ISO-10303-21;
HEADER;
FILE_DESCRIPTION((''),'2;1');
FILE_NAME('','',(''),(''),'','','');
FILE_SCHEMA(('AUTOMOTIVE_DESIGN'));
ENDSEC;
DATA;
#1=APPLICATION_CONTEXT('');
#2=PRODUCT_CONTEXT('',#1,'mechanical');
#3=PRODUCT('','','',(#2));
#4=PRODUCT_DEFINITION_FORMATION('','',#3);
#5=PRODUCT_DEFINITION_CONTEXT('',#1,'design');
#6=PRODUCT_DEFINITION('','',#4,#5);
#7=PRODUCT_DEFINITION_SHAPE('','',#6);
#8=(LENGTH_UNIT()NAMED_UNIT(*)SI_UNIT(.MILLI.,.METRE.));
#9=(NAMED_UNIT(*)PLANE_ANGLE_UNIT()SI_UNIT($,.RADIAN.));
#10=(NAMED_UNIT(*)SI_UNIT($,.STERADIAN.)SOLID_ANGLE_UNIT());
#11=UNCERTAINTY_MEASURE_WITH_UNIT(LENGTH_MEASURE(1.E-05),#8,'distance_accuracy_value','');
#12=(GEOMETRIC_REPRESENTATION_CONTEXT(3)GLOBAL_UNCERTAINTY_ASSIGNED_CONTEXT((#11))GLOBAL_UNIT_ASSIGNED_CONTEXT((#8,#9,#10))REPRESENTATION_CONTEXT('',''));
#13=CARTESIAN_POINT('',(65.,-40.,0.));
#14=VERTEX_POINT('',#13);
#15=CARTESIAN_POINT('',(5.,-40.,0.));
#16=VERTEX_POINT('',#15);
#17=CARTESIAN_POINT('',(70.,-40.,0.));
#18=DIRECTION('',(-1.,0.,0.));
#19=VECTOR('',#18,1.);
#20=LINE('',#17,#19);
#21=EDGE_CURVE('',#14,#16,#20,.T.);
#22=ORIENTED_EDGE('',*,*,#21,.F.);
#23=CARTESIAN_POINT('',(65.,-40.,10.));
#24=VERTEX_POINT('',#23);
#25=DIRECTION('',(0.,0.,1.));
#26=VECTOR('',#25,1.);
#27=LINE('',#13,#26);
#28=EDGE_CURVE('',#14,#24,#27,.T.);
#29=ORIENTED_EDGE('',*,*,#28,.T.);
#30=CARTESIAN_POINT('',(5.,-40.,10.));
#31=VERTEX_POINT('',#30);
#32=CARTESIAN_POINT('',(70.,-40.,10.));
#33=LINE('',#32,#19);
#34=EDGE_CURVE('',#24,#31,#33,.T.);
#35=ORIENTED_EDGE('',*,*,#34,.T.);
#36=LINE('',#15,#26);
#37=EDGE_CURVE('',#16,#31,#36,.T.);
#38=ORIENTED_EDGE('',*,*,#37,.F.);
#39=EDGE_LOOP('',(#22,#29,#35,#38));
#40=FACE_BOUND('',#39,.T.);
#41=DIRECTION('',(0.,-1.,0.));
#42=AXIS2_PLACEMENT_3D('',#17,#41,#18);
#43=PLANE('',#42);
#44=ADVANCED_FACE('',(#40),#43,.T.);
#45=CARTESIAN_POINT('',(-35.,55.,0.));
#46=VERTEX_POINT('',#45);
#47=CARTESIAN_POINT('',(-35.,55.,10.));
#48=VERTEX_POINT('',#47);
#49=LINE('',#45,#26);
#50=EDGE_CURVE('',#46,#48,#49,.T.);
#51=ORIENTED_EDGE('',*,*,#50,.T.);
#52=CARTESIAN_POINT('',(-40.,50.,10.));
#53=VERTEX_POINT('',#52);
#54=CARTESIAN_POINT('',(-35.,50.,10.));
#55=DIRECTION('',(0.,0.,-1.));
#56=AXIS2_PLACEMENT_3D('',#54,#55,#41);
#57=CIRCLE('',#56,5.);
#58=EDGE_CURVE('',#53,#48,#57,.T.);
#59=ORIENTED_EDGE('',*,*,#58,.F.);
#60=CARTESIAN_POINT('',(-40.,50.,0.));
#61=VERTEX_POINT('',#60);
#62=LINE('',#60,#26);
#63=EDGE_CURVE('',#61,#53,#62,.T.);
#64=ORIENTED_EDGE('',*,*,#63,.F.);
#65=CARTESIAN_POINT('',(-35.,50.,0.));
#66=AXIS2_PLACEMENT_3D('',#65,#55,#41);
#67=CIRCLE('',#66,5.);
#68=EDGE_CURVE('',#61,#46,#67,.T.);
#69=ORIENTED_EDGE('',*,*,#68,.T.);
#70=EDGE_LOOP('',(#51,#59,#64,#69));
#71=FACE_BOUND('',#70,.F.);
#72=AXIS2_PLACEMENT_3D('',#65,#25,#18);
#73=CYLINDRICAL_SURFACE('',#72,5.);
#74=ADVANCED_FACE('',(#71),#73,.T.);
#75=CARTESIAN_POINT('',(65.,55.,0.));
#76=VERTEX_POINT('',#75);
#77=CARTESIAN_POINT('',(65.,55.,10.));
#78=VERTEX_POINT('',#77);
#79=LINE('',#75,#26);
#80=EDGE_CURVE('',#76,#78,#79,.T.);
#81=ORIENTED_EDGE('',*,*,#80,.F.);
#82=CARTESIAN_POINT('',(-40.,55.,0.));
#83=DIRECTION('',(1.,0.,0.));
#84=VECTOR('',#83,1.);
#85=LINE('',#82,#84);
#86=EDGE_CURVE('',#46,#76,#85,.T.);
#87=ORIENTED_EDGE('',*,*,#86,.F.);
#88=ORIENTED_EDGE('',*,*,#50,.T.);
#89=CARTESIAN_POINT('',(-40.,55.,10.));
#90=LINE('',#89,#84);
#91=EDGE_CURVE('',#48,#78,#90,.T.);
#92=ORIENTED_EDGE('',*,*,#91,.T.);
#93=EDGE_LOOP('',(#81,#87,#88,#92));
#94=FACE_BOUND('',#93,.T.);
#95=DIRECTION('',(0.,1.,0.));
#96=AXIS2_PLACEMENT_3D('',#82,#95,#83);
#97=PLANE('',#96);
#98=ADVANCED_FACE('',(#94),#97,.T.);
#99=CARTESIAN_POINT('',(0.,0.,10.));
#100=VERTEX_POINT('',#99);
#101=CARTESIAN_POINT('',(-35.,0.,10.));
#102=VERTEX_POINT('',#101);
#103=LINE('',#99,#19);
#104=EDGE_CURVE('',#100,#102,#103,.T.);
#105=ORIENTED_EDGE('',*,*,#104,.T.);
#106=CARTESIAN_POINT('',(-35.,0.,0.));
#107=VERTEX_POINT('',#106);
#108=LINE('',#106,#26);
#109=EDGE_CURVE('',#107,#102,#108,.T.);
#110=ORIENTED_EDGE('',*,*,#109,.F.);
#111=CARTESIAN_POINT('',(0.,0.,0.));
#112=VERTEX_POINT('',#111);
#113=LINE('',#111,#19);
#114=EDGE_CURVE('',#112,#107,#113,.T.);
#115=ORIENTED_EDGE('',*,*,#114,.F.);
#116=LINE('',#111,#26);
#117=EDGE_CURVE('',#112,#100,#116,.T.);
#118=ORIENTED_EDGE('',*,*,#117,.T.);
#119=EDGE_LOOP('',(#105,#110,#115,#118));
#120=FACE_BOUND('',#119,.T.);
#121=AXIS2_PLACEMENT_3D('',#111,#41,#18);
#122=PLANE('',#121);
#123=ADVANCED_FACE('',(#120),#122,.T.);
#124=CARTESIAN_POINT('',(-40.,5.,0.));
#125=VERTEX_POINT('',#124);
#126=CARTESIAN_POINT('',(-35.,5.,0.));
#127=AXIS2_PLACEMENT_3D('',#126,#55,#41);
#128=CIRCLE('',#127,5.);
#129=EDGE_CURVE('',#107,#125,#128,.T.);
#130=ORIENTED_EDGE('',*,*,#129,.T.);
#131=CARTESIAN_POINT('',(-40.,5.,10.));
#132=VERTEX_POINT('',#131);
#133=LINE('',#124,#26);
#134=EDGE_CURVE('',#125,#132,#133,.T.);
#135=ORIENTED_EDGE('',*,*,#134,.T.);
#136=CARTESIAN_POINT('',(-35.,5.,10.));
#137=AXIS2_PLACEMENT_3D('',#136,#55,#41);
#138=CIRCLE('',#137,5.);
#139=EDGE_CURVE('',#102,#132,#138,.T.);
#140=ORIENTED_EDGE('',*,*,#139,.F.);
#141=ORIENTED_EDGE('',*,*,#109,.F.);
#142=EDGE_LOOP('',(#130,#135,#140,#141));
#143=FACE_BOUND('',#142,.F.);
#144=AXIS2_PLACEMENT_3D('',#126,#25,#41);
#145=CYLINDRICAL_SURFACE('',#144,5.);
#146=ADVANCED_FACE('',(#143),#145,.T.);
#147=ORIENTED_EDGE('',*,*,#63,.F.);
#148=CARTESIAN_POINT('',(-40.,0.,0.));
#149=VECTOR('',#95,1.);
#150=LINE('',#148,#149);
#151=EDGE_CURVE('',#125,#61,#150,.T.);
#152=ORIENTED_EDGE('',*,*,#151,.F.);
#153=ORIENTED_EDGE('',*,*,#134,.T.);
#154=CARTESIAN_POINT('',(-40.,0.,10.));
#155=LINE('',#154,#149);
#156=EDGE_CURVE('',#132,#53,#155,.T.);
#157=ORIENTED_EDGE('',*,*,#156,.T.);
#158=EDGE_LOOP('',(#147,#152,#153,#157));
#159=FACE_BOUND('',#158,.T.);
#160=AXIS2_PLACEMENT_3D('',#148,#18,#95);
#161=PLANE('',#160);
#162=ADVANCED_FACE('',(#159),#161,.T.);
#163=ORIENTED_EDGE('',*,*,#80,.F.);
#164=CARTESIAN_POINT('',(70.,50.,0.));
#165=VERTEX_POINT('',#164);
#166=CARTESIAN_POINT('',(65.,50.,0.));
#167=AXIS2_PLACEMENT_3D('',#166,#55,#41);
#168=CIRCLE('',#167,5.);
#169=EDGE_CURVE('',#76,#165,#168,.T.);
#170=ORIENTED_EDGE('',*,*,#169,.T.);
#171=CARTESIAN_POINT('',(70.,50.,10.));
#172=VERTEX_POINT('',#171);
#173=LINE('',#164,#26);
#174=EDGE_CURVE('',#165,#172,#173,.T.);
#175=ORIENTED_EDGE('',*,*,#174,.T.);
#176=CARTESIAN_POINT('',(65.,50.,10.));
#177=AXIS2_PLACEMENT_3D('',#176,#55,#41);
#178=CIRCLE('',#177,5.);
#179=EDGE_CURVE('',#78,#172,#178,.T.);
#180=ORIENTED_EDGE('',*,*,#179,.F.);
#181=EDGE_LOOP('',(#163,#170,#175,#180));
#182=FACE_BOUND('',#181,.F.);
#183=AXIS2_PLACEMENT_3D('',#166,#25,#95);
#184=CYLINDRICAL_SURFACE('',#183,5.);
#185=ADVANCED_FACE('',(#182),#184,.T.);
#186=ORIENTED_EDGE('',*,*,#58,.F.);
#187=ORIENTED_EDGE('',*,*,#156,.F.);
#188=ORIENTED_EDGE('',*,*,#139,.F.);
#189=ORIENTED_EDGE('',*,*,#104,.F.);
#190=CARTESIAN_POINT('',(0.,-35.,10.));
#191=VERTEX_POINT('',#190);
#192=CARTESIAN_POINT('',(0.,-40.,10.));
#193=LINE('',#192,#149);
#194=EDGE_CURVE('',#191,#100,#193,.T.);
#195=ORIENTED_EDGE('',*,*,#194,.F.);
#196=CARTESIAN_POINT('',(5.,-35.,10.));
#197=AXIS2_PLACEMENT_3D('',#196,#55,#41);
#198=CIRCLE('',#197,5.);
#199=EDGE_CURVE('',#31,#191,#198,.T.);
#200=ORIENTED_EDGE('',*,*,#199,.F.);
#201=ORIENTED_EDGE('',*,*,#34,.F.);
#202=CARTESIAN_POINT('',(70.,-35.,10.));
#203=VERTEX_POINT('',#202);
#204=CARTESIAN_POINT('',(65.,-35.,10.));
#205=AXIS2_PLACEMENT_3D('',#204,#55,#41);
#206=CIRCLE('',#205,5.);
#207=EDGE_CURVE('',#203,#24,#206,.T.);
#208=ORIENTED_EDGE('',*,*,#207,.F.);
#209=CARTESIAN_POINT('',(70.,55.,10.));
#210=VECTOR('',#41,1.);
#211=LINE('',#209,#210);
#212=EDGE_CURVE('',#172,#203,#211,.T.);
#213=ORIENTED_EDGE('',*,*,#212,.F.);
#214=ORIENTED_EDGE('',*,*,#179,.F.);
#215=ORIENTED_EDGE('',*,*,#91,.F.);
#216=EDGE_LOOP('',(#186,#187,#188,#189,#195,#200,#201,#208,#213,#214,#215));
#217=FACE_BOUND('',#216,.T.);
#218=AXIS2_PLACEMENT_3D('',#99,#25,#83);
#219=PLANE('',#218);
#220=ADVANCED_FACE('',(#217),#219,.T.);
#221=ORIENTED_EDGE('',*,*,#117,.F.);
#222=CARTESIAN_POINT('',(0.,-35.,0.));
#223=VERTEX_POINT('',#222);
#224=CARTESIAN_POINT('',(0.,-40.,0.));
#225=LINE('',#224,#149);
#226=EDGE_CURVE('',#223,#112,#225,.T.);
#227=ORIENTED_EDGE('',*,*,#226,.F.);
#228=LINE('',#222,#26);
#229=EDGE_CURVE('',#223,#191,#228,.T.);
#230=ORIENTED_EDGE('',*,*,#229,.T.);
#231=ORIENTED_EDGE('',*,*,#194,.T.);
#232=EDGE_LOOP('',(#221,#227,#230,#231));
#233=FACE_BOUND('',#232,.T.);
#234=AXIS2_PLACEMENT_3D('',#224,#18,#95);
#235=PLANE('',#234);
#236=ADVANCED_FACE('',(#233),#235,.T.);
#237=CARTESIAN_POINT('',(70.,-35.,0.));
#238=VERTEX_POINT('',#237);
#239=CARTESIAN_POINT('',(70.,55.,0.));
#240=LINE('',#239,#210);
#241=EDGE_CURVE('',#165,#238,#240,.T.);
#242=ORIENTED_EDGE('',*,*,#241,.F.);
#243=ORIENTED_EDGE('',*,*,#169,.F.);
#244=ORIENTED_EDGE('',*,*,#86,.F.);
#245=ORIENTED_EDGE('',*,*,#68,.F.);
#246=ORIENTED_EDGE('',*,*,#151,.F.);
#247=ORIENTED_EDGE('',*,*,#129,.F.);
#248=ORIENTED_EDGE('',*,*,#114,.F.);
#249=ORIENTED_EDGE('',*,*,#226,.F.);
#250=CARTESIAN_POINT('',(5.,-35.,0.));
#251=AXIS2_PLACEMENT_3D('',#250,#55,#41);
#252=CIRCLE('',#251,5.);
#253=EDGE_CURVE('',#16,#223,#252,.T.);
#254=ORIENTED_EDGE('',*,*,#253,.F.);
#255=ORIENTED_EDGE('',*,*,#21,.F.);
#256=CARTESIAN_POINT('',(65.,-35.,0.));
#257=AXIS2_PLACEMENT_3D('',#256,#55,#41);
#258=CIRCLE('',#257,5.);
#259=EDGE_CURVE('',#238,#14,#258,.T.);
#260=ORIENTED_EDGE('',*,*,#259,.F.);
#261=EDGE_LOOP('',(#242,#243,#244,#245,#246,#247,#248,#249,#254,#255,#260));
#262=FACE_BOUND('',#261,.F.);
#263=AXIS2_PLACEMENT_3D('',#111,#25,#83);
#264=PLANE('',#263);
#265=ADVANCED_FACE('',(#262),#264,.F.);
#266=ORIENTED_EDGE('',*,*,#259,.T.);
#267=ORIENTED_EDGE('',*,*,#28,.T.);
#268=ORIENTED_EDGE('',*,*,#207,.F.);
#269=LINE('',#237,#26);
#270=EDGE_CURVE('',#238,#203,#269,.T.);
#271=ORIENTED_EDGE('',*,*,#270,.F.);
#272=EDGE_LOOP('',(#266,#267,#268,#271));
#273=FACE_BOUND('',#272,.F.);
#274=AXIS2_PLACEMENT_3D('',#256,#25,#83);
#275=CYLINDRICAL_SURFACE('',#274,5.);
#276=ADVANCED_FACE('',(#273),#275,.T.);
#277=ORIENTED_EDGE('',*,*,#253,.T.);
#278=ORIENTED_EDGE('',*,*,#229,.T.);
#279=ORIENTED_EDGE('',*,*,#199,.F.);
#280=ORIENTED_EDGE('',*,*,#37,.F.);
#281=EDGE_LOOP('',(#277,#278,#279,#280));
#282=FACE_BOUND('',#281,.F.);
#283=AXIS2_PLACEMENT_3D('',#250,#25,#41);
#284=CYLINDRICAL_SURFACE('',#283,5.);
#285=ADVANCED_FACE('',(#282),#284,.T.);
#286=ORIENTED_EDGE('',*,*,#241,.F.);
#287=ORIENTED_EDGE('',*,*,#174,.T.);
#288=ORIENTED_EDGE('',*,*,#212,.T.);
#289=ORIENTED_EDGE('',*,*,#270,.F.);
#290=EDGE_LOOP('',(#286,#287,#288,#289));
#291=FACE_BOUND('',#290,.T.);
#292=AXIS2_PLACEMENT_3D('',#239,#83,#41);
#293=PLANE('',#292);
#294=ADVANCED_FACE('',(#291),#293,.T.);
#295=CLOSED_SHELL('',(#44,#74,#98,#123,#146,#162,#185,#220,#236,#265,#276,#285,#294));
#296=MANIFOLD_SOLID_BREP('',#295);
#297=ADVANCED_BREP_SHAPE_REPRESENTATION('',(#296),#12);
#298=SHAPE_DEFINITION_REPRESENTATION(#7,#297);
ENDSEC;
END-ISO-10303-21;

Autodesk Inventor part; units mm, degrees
ref_plane "YZ Plane" through (0, 0, 0) normal (1, 0, 0) x (0, 1, 0)
ref_plane "XZ Plane" through (0, 0, 0) normal (0, 1, 0) x (-1, 0, 0)
ref_plane "XY Plane" through (0, 0, 0) normal (0, 0, 1) x (1, 0, 0)
sketch "Schizzo1" plane through (0, 0, 0) normal (0, 0, 1) x (1, 0, 0)
  line L0 (0, 0) -> (-40, 0)
  line L1 (-40, 0) -> (-40, 55)
  line L2 (-40, 55) -> (70, 55)
  line L3 (70, 55) -> (70, -40)
  line L4 (70, -40) -> (0, -40)
  line L5 (0, -40) -> (0, 0)
  dimension "d0" = 40
  dimension "d1" = 40
  dimension "d2" = 55
  dimension "d3" = 70
extrude "Estrusione1" add sketch "Schizzo1" along normal blind 10
fillet "Raccordo1" radius 5 5 edges at (-40, 55, 5) (70, 55, 5) (70, -40, 5) (-40, 0, 5) (0, -40, 5)
properties part number "Supporto salita lama"
